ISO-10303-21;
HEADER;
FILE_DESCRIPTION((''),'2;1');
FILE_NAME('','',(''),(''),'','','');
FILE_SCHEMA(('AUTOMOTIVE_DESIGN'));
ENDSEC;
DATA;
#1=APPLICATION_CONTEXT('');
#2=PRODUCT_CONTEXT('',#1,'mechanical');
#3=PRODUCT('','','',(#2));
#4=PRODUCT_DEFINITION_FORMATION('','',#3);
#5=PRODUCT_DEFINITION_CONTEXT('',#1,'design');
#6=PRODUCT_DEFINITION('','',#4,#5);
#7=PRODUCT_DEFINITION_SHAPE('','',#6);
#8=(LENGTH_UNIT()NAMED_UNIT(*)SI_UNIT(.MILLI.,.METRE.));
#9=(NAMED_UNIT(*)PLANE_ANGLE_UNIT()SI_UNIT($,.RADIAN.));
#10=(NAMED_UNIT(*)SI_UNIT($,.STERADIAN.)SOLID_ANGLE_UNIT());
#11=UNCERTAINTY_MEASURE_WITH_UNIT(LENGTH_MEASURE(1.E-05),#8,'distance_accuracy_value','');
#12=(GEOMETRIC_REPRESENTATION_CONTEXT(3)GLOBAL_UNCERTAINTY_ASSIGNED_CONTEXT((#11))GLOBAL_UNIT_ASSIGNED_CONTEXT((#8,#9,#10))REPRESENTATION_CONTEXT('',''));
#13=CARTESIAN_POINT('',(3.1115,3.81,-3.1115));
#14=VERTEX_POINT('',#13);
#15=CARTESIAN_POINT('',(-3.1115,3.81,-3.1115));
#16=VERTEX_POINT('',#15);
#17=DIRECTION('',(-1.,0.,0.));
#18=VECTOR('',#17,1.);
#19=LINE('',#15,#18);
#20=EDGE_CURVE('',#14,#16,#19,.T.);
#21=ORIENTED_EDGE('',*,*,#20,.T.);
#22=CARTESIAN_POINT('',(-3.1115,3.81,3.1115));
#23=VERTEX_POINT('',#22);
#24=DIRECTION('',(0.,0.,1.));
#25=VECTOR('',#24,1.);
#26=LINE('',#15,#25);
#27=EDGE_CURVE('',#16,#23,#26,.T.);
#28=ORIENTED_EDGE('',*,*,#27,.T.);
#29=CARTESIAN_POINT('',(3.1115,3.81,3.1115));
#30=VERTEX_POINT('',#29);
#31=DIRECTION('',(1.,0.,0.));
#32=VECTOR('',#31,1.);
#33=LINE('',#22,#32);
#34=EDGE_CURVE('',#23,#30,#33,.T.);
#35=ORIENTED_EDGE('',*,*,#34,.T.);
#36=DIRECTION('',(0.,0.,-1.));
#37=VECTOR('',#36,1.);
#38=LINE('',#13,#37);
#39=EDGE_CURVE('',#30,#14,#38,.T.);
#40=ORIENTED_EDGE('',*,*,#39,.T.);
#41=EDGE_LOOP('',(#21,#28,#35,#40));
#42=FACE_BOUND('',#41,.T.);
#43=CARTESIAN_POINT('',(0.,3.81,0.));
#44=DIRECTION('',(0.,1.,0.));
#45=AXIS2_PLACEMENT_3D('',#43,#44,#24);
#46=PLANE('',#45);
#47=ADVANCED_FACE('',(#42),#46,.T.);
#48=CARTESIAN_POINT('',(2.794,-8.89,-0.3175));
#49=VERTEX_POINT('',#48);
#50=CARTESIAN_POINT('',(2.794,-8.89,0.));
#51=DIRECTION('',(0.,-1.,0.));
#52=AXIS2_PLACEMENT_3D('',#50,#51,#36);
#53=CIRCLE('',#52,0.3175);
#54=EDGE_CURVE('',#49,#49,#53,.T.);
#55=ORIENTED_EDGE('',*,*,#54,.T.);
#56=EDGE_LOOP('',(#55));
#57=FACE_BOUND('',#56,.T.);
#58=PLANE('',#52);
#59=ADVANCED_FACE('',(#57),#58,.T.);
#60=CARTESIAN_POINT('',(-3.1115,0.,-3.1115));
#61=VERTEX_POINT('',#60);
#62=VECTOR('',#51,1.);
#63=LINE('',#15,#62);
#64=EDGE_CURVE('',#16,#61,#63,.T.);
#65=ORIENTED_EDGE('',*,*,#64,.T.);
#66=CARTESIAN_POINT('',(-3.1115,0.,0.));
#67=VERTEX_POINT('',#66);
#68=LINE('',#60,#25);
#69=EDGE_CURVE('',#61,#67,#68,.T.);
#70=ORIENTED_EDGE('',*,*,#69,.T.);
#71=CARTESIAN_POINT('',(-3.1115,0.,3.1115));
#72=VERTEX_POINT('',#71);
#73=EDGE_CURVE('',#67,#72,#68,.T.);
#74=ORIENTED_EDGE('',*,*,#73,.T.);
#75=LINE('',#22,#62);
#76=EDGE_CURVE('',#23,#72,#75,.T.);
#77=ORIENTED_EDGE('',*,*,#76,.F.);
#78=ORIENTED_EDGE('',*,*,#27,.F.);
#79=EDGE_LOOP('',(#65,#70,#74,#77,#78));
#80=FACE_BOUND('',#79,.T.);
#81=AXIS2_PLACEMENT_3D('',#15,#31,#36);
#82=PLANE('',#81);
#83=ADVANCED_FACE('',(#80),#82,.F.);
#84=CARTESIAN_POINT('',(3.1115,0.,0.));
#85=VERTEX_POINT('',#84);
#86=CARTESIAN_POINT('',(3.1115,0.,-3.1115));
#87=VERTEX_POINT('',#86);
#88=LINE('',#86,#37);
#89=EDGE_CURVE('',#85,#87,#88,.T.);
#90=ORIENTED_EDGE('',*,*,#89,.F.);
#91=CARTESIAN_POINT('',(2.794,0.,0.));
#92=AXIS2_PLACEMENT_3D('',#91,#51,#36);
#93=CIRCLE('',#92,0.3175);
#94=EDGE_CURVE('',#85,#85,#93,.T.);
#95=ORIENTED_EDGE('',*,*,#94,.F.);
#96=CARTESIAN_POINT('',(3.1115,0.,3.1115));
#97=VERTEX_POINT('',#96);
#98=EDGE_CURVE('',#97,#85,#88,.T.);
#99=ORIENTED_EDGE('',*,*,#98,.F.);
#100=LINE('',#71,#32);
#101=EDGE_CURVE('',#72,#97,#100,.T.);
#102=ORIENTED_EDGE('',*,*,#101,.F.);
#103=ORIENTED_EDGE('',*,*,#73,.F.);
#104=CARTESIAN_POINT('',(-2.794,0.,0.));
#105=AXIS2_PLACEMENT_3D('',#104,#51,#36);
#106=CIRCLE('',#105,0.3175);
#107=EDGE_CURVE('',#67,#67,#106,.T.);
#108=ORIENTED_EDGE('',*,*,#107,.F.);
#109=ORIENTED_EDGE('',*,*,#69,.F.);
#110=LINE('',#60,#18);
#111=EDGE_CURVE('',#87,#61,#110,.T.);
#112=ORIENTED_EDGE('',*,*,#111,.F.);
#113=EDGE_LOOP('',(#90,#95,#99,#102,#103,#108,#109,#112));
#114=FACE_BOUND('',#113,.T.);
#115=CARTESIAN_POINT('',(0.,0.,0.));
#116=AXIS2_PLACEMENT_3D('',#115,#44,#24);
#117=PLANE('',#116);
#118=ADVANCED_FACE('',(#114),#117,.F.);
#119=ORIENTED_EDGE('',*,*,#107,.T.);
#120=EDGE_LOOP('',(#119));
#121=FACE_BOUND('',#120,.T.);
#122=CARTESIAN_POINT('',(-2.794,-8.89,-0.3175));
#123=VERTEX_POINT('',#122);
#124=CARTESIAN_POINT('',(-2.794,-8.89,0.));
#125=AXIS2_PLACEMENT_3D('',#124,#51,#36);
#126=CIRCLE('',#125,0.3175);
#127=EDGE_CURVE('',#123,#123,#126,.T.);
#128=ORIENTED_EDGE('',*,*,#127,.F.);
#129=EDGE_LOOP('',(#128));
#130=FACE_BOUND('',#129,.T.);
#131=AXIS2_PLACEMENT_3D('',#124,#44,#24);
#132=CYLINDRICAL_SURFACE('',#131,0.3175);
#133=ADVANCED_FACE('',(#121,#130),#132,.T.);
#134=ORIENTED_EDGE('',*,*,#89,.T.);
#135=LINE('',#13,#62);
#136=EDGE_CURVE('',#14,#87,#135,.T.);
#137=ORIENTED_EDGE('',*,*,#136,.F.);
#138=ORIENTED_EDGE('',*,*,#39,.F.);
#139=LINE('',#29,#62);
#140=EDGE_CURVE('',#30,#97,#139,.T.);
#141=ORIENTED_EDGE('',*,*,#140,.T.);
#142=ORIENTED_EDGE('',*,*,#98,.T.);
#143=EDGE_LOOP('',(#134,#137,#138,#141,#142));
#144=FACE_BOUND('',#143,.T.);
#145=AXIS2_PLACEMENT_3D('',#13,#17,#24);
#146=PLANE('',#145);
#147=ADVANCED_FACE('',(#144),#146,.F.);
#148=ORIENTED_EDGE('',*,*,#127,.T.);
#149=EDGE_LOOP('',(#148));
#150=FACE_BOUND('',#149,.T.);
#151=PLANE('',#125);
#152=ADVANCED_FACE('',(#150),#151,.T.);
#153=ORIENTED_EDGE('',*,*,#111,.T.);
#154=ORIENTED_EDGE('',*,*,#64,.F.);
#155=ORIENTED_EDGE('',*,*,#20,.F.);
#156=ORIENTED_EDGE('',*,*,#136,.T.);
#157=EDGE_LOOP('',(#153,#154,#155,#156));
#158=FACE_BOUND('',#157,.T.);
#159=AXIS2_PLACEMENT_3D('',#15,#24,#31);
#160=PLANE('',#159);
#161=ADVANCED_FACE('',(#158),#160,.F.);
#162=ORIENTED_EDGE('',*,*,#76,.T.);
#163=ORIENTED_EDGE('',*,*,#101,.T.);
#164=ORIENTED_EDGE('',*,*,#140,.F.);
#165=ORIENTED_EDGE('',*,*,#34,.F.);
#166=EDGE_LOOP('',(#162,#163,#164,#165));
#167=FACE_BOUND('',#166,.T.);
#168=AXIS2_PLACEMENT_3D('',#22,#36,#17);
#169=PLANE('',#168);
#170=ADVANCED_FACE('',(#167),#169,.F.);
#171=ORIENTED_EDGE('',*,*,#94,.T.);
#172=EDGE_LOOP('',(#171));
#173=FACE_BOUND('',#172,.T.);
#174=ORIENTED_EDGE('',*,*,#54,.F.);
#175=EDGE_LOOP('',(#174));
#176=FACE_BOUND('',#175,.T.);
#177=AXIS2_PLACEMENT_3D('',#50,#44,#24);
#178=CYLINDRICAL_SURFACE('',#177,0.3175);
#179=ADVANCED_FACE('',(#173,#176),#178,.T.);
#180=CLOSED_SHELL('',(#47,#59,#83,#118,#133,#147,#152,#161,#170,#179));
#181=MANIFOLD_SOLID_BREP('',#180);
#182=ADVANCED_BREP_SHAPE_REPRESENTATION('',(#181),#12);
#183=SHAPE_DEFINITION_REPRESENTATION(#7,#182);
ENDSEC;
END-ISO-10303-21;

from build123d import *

# Parameters (mm, degrees)
SKETCH1_W           = 6.223
SKETCH1_H           = 6.223
BOSS_EXTRUDE1_DEPTH = 3.81
SKETCH2_R           = 0.3175
BOSS_EXTRUDE2_DEPTH = 8.89


with BuildPart() as part:
    # Sketch1 → Boss-Extrude1 (new body)
    with BuildSketch(Plane(origin=(0, 0, 0), x_dir=(1, 0, 0), z_dir=(0, 1, 0))):
        Rectangle(SKETCH1_W, SKETCH1_H)
    extrude(amount=BOSS_EXTRUDE1_DEPTH)

    # Sketch2 → Boss-Extrude2 (add)
    with BuildSketch(Plane.XZ):
        with Locations(Location((-2.794, 0, 0), (0, 0, 180))):
            Circle(SKETCH2_R)
        with Locations((2.794, 0)):
            Circle(SKETCH2_R)
    extrude(amount=BOSS_EXTRUDE2_DEPTH)


solid = part.part
